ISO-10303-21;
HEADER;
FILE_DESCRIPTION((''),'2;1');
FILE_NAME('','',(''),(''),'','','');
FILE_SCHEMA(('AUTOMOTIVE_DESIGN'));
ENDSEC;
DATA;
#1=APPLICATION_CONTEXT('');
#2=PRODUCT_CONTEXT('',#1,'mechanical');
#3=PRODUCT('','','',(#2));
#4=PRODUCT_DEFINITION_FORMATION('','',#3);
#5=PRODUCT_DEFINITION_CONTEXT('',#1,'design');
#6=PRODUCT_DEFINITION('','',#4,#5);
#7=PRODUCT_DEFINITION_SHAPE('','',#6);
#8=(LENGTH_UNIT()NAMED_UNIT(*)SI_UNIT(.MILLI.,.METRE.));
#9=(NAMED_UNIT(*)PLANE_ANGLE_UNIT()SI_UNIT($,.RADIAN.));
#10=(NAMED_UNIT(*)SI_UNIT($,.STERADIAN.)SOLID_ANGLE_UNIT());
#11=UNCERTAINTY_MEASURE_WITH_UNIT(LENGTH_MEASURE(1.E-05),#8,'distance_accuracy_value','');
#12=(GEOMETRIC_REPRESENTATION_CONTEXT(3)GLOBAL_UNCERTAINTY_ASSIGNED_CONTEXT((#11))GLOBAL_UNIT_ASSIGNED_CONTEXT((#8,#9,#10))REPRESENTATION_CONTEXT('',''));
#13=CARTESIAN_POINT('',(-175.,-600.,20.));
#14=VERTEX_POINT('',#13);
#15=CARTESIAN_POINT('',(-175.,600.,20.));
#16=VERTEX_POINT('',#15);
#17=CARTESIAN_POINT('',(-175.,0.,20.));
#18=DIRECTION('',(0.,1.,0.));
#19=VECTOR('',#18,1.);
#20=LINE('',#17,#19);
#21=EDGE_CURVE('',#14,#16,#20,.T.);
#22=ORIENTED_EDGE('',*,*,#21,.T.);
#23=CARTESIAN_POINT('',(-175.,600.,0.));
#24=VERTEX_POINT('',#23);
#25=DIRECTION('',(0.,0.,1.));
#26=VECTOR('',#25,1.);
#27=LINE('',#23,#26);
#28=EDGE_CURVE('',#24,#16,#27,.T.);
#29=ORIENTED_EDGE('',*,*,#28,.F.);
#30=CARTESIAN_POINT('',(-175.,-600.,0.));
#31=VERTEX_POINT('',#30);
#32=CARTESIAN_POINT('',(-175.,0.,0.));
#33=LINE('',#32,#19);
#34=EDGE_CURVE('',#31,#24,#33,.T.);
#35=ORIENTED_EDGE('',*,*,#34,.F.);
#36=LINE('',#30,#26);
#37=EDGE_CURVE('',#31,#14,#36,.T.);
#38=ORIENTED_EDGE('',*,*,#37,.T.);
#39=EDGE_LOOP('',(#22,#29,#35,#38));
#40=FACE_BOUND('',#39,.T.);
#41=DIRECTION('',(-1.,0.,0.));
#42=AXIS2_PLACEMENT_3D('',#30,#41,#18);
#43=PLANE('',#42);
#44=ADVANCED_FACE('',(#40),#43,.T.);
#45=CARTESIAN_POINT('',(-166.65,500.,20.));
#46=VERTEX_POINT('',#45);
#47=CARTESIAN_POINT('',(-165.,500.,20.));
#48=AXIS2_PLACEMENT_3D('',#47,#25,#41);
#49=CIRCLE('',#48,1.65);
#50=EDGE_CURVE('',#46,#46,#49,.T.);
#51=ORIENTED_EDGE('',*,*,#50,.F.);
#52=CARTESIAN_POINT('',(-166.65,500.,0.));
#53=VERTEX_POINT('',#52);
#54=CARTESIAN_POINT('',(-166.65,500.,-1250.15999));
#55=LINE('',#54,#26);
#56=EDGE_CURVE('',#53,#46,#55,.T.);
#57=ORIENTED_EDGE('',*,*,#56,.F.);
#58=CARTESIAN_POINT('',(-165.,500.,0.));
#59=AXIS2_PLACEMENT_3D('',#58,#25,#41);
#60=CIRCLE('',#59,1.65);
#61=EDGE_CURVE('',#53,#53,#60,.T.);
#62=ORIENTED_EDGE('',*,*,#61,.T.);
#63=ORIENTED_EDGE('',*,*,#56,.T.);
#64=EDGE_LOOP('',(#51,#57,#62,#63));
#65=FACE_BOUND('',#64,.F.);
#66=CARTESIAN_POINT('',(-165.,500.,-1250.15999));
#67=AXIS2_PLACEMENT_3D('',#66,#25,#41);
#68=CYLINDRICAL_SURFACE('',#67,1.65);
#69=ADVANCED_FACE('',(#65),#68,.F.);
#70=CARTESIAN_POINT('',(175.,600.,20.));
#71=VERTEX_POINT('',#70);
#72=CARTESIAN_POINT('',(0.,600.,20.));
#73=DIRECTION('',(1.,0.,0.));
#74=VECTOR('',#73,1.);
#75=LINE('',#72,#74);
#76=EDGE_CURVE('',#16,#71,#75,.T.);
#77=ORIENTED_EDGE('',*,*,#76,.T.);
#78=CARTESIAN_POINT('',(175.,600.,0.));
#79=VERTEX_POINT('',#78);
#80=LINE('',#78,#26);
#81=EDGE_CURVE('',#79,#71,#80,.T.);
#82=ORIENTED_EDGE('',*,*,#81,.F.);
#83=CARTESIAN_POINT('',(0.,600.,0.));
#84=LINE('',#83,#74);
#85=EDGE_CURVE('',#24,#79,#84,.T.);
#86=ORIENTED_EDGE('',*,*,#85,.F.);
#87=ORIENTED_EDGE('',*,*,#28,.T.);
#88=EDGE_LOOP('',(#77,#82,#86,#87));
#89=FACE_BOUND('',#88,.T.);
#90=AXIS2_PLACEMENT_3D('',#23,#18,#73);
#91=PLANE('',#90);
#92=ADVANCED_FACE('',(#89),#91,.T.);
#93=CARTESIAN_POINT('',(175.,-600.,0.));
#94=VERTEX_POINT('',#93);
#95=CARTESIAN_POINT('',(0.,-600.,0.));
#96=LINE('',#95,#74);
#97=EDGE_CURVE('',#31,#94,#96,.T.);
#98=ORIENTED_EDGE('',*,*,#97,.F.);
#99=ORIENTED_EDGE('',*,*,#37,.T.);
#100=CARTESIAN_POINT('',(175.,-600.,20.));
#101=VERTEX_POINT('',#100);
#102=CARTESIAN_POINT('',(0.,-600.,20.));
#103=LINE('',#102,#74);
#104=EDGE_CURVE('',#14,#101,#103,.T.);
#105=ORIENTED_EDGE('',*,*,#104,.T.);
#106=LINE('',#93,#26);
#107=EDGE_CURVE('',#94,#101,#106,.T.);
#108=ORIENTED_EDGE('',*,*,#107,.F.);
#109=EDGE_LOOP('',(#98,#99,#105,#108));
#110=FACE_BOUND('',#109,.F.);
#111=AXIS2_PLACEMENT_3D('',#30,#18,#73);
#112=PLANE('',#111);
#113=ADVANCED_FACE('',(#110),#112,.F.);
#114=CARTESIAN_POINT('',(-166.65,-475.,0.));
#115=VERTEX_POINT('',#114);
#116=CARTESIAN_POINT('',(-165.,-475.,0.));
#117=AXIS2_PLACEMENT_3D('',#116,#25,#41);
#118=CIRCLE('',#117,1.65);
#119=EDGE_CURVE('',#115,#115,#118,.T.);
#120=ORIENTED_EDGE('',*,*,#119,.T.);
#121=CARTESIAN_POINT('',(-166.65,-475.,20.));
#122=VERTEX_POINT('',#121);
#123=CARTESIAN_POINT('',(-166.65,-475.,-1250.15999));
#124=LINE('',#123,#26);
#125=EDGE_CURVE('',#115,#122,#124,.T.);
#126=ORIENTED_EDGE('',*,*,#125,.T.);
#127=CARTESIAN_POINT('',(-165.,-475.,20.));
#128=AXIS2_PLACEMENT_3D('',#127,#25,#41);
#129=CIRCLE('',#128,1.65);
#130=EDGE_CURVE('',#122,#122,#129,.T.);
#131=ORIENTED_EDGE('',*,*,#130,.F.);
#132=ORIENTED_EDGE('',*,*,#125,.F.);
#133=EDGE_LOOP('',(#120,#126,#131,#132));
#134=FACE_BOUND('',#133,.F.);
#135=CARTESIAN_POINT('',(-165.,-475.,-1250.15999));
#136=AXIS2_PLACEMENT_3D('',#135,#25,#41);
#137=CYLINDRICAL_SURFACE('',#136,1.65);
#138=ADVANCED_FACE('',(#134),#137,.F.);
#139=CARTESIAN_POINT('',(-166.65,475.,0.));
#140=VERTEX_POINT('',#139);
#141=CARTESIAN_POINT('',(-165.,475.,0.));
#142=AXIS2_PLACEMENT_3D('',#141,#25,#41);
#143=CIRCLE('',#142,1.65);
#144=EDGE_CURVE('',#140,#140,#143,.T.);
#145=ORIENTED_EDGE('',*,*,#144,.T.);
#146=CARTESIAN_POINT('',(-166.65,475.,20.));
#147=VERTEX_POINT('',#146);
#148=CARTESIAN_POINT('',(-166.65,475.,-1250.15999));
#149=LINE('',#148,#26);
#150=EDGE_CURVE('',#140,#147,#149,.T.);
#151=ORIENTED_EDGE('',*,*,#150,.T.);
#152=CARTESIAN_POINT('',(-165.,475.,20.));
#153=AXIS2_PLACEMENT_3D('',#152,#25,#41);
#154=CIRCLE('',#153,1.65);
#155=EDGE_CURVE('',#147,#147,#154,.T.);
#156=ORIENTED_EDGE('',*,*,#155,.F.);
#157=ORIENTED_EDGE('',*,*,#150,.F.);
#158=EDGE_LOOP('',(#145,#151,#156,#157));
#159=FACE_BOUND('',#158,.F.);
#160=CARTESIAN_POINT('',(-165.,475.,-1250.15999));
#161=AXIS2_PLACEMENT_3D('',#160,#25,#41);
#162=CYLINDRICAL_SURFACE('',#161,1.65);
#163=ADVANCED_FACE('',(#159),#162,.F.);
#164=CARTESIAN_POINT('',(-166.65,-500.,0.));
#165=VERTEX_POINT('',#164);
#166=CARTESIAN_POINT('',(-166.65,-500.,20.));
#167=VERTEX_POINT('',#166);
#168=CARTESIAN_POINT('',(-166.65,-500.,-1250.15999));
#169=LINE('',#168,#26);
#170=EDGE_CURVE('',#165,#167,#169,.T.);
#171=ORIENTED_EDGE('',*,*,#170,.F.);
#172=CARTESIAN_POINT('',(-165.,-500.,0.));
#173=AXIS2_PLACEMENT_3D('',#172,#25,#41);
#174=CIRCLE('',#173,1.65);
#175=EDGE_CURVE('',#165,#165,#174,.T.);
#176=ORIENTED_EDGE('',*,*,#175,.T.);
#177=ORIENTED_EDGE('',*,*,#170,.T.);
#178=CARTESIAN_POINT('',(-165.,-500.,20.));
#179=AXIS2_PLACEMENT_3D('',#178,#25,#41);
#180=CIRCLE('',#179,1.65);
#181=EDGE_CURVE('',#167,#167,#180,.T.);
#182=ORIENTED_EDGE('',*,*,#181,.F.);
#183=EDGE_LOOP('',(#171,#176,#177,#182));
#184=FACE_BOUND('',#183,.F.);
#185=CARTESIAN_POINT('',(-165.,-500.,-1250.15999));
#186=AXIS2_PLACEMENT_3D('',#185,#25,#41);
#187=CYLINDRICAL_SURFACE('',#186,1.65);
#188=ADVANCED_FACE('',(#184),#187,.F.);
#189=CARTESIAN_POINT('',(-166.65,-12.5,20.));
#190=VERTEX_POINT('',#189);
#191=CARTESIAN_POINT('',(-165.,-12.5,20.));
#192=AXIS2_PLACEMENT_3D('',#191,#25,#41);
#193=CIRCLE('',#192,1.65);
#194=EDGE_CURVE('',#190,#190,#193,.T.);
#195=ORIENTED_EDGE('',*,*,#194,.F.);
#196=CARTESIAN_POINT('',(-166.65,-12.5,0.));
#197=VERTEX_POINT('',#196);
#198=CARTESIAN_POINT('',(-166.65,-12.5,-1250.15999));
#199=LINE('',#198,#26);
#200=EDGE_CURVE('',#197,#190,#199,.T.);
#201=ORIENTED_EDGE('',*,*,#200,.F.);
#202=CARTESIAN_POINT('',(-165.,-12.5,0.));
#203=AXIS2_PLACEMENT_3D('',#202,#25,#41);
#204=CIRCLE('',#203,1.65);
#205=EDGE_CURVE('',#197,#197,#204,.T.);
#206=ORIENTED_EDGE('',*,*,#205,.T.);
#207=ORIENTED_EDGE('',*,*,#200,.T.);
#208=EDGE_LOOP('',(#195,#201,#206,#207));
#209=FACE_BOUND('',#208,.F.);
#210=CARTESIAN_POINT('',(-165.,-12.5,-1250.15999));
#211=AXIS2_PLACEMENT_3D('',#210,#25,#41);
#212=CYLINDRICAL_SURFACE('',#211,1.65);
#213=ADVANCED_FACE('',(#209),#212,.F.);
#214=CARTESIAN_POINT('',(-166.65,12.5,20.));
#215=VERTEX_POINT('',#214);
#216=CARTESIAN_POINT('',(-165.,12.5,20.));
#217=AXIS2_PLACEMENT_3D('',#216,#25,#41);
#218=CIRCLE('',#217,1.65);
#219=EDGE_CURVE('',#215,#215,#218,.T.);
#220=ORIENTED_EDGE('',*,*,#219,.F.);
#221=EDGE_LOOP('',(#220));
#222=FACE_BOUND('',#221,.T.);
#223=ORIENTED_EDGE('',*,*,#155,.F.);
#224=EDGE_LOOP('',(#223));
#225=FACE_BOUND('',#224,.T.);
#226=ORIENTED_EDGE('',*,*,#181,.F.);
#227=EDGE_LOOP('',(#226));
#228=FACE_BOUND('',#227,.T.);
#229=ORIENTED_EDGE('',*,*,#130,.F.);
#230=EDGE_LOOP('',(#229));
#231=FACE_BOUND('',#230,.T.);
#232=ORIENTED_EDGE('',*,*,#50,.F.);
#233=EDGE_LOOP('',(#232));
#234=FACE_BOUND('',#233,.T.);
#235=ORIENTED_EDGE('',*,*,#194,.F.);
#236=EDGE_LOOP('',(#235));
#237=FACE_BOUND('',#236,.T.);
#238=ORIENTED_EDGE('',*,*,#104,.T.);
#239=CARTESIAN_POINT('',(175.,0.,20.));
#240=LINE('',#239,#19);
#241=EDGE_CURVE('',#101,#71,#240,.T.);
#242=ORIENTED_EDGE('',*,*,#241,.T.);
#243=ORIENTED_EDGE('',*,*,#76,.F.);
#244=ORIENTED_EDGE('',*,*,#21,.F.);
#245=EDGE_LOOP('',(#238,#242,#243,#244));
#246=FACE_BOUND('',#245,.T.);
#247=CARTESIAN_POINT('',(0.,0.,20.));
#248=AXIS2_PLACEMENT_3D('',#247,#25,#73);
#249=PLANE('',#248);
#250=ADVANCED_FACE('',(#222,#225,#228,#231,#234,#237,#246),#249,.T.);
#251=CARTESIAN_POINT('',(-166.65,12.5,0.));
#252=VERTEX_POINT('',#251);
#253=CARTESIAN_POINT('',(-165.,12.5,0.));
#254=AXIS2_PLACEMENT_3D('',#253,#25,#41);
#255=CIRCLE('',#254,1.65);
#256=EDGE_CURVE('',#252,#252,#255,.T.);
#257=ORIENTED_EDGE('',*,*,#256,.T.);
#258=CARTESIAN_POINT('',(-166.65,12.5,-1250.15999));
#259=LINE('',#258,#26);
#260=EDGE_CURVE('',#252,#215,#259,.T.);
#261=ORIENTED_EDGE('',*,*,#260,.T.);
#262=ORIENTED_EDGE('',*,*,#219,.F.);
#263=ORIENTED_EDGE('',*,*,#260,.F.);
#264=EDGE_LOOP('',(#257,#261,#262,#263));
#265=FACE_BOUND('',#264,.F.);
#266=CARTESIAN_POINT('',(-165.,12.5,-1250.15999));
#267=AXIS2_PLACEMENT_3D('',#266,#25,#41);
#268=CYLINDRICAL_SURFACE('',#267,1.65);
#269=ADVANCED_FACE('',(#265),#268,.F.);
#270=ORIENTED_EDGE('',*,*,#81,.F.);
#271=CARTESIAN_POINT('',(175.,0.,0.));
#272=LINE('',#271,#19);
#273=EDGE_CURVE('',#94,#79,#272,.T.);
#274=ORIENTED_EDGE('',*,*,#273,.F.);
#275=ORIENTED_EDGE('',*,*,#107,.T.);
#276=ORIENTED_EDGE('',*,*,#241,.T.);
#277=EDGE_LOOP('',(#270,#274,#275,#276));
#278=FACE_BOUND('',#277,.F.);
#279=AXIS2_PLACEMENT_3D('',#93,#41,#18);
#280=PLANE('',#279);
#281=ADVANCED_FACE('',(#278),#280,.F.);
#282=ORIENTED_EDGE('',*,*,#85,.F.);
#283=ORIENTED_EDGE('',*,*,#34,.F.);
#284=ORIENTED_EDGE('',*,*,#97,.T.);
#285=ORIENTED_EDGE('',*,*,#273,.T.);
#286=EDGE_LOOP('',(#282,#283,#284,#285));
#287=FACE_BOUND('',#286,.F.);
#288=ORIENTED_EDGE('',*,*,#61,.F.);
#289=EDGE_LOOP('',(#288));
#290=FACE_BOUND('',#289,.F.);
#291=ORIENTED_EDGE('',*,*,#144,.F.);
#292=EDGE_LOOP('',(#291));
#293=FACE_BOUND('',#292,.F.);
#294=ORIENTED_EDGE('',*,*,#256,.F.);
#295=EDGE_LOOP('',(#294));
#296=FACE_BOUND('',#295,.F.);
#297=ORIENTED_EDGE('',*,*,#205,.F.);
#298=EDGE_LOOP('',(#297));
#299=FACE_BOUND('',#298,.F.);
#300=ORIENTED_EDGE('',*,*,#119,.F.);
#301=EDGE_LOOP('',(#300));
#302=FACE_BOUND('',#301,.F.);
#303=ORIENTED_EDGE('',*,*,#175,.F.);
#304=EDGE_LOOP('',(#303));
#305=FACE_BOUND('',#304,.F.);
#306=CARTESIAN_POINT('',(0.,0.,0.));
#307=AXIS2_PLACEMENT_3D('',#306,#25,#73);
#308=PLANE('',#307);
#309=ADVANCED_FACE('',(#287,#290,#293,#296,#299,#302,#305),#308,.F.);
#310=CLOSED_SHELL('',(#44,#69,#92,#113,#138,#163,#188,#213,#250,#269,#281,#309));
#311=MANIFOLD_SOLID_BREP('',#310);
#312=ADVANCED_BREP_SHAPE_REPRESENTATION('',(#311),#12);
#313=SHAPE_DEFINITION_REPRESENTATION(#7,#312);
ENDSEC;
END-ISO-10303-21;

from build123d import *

# Parameters (mm, degrees)
F0_W     = 350
F0_H     = 1200
F1_DEPTH = 20
F3_D     = 3.3


with BuildPart() as f1:
    # F0 (on Top) → F1 (new body)
    with BuildSketch(Plane.XY):
        Rectangle(F0_W, F0_H)
    extrude(amount=F1_DEPTH)

    # F3 (through all)
    with Locations(Plane(origin=(0, 0, 0), x_dir=(1, 0, 0), z_dir=(0, 0, -1))):
        with Locations((-165, 500), (-165, 475), (-165, 12.5), (-165, -12.5), (-165, -500), (-165, -475)):
            Hole(F3_D / 2)


solid = f1.part
